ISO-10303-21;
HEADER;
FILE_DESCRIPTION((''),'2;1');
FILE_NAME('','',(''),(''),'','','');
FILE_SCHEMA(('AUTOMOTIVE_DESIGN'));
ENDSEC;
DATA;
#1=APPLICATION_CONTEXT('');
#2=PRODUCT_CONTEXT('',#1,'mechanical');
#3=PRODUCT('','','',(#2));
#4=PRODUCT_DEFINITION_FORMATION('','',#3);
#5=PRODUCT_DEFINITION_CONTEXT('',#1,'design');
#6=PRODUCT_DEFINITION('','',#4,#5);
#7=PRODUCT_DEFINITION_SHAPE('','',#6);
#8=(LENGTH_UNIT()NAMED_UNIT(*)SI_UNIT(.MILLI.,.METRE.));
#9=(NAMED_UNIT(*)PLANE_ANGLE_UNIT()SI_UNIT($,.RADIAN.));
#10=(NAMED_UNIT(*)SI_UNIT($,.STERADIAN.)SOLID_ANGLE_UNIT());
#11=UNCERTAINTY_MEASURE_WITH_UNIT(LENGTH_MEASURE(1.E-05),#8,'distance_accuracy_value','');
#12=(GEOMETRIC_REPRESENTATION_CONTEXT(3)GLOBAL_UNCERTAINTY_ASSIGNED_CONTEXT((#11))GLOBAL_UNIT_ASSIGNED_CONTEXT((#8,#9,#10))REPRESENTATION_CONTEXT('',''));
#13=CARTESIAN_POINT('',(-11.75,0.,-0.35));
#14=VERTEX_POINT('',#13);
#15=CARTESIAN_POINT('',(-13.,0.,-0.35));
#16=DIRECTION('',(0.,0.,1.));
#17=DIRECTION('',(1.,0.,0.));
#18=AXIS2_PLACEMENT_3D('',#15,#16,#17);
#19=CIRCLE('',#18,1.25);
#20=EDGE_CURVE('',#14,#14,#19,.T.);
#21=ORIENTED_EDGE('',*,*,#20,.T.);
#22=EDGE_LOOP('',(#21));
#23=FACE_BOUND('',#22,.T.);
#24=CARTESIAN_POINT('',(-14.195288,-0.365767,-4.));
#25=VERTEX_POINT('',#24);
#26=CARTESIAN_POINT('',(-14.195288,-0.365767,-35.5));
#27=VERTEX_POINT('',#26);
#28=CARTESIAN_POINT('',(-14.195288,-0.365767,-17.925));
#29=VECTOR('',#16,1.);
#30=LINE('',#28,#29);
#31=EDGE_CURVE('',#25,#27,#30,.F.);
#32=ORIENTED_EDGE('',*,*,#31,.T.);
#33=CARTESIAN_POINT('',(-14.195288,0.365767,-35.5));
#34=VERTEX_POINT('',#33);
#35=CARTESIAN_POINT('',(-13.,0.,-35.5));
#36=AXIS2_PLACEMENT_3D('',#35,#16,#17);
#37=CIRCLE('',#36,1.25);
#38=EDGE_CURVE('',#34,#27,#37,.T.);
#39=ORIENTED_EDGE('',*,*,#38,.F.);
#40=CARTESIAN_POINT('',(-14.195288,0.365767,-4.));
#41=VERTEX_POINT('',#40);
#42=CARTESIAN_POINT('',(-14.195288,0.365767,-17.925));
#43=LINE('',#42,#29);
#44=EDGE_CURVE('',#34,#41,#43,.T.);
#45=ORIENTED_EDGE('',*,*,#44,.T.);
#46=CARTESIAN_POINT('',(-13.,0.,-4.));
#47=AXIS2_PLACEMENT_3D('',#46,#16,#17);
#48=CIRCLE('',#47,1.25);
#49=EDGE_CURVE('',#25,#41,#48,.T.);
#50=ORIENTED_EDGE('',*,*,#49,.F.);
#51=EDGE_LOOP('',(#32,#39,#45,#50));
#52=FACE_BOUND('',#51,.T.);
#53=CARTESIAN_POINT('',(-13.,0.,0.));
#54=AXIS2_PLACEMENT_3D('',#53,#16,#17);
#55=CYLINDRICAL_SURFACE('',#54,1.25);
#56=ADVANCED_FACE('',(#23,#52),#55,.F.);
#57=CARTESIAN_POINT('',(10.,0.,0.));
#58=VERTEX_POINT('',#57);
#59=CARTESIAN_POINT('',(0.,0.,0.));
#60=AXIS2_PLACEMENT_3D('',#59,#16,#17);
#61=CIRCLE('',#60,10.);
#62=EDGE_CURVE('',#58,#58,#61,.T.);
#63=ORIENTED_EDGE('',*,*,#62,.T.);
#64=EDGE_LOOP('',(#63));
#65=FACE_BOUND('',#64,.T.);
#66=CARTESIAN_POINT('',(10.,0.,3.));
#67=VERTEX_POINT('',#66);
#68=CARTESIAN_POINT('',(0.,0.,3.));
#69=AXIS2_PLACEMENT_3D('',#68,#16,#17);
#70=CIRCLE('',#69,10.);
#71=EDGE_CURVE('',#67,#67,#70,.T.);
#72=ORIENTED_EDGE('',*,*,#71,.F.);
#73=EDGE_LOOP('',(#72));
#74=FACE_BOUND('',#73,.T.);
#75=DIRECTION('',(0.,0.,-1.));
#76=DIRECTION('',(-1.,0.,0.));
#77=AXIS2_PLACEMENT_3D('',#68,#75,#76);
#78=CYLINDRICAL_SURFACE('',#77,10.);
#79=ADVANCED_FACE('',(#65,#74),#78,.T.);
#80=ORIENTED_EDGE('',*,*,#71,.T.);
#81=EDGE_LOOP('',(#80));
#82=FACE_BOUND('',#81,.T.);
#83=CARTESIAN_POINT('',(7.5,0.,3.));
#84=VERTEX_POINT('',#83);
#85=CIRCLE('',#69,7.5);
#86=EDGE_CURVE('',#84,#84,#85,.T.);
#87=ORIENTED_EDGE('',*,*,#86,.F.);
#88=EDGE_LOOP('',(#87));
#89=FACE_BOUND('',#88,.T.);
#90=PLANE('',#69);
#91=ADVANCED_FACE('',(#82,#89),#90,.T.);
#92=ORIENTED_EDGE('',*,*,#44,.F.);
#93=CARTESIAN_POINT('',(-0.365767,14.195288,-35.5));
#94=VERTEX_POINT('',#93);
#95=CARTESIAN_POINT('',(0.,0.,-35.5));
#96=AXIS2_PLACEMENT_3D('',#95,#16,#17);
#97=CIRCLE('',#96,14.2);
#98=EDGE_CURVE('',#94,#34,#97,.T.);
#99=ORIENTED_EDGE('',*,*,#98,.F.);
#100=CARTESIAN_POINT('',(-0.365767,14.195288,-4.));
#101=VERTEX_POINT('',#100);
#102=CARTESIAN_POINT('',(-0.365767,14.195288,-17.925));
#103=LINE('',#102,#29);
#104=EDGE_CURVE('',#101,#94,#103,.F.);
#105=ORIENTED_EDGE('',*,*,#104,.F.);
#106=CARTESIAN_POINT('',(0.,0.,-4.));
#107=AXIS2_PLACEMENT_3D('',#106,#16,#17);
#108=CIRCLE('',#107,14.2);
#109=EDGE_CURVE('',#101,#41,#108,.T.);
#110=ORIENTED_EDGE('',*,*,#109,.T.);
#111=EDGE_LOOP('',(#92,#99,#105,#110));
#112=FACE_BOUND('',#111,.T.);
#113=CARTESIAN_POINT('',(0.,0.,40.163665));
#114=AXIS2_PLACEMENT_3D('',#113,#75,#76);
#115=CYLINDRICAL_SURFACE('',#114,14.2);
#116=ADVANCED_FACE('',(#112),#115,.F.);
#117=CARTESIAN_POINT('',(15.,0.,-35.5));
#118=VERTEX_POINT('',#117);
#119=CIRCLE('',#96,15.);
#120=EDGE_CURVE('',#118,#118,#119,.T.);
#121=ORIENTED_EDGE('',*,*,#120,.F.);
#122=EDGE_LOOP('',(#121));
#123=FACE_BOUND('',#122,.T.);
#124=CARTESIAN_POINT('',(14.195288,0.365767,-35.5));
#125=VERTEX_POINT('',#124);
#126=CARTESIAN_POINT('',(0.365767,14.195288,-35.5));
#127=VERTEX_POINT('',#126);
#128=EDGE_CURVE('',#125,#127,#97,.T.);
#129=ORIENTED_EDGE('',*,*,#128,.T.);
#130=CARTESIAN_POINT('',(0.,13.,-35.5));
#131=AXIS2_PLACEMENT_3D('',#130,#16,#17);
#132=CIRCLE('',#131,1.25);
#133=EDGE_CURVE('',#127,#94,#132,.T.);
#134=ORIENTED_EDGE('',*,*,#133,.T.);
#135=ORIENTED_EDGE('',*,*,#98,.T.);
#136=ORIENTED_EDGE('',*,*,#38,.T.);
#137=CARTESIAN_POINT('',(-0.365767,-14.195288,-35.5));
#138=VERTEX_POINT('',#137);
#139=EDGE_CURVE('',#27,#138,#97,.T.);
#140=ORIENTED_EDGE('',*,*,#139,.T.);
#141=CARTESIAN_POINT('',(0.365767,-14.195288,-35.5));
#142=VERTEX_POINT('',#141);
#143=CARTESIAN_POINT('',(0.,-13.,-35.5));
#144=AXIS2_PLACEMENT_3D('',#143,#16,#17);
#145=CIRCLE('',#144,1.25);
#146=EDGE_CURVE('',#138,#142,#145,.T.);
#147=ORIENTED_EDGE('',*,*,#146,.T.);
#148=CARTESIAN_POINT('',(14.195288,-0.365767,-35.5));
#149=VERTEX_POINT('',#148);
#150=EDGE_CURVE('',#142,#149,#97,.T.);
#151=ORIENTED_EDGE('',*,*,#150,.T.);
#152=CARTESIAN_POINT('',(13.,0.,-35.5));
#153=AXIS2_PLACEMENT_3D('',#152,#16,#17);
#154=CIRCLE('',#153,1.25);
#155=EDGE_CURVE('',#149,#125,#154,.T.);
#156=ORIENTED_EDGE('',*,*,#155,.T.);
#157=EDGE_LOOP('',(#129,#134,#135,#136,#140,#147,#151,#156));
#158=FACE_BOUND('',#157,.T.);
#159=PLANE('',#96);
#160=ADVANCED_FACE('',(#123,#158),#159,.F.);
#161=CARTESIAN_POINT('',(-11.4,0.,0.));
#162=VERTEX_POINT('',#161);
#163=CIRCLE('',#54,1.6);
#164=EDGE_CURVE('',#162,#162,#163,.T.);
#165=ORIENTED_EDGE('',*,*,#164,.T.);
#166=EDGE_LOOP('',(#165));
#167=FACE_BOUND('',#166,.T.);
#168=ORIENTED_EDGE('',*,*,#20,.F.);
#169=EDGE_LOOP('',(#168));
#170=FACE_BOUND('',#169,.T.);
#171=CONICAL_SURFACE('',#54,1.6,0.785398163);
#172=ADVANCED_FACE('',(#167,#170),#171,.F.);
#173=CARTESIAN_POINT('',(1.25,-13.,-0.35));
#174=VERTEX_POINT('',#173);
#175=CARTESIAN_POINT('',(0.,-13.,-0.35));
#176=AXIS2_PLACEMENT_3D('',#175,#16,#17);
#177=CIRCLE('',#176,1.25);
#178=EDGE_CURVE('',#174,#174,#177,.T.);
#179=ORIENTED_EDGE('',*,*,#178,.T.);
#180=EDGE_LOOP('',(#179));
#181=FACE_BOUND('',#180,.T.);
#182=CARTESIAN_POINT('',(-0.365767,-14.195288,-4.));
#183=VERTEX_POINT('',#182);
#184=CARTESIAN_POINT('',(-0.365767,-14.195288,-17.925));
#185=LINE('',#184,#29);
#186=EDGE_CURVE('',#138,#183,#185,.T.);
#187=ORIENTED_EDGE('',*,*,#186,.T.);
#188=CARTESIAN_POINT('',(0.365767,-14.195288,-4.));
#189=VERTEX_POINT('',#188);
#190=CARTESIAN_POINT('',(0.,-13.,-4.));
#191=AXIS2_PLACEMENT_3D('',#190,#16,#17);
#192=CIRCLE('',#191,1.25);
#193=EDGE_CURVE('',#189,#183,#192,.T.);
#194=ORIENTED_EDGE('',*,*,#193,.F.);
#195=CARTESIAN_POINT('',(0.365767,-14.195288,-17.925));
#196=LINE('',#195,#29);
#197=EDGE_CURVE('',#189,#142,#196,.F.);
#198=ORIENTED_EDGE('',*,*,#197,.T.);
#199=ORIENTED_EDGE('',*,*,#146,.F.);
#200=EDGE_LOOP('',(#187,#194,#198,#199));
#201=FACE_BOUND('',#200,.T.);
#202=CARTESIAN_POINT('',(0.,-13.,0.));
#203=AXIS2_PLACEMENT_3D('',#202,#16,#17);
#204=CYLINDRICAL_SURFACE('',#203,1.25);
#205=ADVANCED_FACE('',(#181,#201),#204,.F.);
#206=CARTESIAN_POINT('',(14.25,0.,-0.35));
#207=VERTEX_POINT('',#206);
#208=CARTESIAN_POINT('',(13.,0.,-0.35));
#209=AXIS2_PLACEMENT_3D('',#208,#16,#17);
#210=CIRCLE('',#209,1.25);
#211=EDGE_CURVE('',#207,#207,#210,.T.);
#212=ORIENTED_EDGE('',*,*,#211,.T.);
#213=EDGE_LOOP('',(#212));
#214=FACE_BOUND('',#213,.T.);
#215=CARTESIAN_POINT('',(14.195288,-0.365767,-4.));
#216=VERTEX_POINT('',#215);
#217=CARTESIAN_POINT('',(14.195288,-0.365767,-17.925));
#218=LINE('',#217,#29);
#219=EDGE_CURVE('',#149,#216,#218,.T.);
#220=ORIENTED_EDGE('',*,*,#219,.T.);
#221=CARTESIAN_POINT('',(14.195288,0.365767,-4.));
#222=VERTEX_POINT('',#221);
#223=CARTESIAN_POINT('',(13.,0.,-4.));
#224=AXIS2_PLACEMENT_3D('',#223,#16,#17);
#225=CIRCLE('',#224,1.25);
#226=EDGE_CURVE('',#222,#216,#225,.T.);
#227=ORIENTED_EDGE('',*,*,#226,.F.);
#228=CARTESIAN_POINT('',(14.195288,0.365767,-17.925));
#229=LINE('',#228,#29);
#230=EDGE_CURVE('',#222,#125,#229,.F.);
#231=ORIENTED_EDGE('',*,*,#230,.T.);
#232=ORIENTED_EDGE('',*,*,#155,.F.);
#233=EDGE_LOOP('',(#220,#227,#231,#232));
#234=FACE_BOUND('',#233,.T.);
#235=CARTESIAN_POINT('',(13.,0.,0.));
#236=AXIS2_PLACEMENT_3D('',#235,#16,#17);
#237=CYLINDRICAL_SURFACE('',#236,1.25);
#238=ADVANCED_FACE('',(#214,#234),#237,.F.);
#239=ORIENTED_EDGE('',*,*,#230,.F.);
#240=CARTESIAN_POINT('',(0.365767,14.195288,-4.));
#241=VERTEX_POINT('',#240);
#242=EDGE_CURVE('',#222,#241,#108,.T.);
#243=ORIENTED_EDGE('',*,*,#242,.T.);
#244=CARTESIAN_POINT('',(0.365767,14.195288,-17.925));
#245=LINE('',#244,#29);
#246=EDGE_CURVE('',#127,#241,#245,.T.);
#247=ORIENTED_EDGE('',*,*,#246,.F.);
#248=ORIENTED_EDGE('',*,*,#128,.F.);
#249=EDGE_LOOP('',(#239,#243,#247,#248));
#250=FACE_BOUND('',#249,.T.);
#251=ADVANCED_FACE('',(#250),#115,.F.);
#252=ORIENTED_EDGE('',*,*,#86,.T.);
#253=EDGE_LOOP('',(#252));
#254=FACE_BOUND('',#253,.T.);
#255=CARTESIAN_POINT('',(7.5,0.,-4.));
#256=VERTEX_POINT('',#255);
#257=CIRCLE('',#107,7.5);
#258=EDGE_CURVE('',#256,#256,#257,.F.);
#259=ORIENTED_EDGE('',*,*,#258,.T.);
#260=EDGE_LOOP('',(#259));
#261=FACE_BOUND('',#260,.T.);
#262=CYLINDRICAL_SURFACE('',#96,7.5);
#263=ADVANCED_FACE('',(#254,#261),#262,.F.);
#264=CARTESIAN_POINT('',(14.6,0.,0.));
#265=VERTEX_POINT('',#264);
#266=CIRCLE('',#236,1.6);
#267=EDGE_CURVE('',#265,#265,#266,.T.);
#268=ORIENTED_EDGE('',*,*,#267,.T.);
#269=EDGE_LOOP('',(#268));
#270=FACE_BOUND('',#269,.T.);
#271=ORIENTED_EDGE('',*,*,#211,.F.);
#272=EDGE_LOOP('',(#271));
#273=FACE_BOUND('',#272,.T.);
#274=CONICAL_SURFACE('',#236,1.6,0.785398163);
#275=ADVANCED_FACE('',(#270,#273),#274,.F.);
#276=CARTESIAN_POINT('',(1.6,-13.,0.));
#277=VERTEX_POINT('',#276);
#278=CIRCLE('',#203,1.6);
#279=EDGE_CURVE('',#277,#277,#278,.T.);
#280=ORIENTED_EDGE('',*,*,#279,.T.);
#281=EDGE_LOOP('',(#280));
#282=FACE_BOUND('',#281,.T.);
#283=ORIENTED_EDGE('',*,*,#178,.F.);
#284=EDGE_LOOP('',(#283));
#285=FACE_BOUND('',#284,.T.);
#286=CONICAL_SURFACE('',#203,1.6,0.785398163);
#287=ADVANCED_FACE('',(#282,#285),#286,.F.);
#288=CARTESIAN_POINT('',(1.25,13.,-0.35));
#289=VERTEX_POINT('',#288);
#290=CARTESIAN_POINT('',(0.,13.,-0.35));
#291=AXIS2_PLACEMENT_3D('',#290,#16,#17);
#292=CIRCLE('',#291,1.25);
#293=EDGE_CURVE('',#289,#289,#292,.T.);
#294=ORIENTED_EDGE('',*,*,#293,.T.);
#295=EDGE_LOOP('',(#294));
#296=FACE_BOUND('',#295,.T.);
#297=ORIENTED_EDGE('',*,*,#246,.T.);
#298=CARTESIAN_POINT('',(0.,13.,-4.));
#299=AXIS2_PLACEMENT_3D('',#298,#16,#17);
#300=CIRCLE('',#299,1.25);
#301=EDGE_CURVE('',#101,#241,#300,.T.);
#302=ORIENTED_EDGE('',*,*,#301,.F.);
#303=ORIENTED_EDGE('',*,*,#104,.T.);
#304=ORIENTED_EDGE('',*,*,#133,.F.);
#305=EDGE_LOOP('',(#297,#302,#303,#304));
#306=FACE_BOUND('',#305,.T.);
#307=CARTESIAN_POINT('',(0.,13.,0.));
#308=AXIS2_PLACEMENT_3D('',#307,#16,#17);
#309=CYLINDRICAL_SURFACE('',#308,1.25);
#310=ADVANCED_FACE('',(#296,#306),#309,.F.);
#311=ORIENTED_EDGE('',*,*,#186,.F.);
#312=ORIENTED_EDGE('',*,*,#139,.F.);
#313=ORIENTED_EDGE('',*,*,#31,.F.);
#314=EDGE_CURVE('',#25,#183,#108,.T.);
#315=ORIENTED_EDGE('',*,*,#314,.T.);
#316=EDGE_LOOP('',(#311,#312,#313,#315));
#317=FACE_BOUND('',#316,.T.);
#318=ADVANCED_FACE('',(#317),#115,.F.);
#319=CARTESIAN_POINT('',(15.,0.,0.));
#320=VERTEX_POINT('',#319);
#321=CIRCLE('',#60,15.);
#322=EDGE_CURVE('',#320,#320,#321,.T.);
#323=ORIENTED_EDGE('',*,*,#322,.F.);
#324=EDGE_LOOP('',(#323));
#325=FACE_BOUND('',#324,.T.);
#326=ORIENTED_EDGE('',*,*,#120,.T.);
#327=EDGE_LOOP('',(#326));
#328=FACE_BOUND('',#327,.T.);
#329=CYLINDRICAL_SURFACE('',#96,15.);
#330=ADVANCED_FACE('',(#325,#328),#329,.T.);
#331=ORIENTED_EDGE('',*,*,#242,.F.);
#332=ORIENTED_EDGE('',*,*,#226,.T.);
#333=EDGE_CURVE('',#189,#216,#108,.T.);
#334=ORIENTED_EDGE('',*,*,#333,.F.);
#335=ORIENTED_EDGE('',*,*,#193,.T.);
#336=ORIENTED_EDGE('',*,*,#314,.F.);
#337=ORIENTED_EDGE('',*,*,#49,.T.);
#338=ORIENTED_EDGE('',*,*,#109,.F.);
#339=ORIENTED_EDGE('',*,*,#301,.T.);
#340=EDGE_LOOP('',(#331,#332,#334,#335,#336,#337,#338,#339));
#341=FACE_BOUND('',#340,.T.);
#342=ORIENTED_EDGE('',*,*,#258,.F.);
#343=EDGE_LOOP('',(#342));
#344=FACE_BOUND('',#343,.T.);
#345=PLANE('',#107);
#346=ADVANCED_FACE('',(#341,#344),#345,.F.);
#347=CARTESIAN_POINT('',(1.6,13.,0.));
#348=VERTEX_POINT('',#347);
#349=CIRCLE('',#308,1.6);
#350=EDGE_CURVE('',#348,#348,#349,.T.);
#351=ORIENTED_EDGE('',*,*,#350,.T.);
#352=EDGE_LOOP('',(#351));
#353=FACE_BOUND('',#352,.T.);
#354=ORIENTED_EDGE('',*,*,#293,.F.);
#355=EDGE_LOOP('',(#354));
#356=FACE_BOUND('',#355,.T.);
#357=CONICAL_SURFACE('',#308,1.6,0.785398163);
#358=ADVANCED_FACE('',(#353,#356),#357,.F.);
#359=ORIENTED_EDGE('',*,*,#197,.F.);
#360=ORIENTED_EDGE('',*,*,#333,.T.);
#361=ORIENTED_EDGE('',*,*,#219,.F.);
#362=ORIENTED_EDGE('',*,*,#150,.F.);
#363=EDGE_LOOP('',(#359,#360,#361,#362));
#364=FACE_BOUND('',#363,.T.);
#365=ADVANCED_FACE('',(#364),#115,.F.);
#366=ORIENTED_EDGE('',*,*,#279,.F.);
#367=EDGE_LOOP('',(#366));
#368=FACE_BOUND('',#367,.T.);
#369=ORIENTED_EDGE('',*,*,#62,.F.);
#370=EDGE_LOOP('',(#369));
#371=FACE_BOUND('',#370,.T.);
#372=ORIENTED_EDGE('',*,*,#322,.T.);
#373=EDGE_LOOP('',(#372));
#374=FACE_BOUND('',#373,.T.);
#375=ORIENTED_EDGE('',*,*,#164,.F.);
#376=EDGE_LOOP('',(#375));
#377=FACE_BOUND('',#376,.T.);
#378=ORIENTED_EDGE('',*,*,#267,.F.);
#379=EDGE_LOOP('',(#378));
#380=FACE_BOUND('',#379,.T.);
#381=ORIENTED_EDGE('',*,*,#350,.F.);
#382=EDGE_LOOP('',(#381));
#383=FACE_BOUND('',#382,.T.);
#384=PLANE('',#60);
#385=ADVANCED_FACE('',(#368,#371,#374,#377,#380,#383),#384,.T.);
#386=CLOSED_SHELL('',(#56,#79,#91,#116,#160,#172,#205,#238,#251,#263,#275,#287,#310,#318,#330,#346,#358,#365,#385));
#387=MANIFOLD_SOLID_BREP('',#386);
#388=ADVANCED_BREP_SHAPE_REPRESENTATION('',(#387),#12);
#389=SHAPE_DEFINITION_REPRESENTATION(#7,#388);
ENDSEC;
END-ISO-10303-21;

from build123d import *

# Parameters (mm, degrees)
SKETCH1_R                       = 15
BOSS_EXTRUDE1_DEPTH             = 35.5
SKETCH2_R                       = 14.2
CUT_EXTRUDE1_DEPTH              = 31.5
SKETCH3_R                       = 7.5
CUT_EXTRUDE2_DEPTH              = 42.355168964
M3X0_5_TAPPED_HOLE1_D           = 2.5
M3X0_5_TAPPED_HOLE1_CSINK_D     = 3.2
M3X0_5_TAPPED_HOLE1_CSINK_ANGLE = 90
CIRPATTERN2_COUNT               = 4
BOSS_EXTRUDE2_START             = 3
SKETCH8_R                       = 10
SKETCH8_R_2                     = 7.5
BOSS_EXTRUDE2_DEPTH             = 3


with BuildPart() as part:
    # Sketch1 → Boss-Extrude1 (new body)
    with BuildSketch(Plane.XY):
        Circle(SKETCH1_R)
    extrude(amount=-BOSS_EXTRUDE1_DEPTH)

    # Sketch2 → Cut-Extrude1 (cut)
    with BuildSketch(Plane.XY.offset(-35.5)):
        Circle(SKETCH2_R)
    extrude(amount=CUT_EXTRUDE1_DEPTH, mode=Mode.SUBTRACT)

    # Sketch3 → Cut-Extrude2 (cut, through all)
    with BuildSketch(Plane(origin=(0, 0, 0), x_dir=(-1, 0, 0), z_dir=(0, 0, -1))):
        with Locations(Location((0, 0, 0), (0, 0, 180))):
            Circle(SKETCH3_R)
    extrude(amount=CUT_EXTRUDE2_DEPTH, mode=Mode.SUBTRACT)

    # M3x0.5 Tapped Hole1 (through all)
    with Locations(Plane(origin=(0, 0, 0), x_dir=(-1, 0, 0), z_dir=(0, 0, 1))):
        with Locations((-13, 0)):
            m3x0_5_tapped_hole1 = CounterSinkHole(M3X0_5_TAPPED_HOLE1_D / 2, M3X0_5_TAPPED_HOLE1_CSINK_D / 2, counter_sink_angle=M3X0_5_TAPPED_HOLE1_CSINK_ANGLE)

    # CirPattern2: M3x0.5 Tapped Hole1 ×4 about axis
    cirpattern2_axis = Axis((0, 0, 0), (0, 0, 1))
    for i in range(1, CIRPATTERN2_COUNT):
        add(m3x0_5_tapped_hole1.rotate(cirpattern2_axis, i * 360 / CIRPATTERN2_COUNT), mode=Mode.SUBTRACT)

    # Sketch8 → Boss-Extrude2 (add)
    with BuildSketch(Plane.XY.offset(BOSS_EXTRUDE2_START)):
        Circle(SKETCH8_R)
        Circle(SKETCH8_R_2, mode=Mode.SUBTRACT)
    extrude(amount=-BOSS_EXTRUDE2_DEPTH)


solid = part.part
